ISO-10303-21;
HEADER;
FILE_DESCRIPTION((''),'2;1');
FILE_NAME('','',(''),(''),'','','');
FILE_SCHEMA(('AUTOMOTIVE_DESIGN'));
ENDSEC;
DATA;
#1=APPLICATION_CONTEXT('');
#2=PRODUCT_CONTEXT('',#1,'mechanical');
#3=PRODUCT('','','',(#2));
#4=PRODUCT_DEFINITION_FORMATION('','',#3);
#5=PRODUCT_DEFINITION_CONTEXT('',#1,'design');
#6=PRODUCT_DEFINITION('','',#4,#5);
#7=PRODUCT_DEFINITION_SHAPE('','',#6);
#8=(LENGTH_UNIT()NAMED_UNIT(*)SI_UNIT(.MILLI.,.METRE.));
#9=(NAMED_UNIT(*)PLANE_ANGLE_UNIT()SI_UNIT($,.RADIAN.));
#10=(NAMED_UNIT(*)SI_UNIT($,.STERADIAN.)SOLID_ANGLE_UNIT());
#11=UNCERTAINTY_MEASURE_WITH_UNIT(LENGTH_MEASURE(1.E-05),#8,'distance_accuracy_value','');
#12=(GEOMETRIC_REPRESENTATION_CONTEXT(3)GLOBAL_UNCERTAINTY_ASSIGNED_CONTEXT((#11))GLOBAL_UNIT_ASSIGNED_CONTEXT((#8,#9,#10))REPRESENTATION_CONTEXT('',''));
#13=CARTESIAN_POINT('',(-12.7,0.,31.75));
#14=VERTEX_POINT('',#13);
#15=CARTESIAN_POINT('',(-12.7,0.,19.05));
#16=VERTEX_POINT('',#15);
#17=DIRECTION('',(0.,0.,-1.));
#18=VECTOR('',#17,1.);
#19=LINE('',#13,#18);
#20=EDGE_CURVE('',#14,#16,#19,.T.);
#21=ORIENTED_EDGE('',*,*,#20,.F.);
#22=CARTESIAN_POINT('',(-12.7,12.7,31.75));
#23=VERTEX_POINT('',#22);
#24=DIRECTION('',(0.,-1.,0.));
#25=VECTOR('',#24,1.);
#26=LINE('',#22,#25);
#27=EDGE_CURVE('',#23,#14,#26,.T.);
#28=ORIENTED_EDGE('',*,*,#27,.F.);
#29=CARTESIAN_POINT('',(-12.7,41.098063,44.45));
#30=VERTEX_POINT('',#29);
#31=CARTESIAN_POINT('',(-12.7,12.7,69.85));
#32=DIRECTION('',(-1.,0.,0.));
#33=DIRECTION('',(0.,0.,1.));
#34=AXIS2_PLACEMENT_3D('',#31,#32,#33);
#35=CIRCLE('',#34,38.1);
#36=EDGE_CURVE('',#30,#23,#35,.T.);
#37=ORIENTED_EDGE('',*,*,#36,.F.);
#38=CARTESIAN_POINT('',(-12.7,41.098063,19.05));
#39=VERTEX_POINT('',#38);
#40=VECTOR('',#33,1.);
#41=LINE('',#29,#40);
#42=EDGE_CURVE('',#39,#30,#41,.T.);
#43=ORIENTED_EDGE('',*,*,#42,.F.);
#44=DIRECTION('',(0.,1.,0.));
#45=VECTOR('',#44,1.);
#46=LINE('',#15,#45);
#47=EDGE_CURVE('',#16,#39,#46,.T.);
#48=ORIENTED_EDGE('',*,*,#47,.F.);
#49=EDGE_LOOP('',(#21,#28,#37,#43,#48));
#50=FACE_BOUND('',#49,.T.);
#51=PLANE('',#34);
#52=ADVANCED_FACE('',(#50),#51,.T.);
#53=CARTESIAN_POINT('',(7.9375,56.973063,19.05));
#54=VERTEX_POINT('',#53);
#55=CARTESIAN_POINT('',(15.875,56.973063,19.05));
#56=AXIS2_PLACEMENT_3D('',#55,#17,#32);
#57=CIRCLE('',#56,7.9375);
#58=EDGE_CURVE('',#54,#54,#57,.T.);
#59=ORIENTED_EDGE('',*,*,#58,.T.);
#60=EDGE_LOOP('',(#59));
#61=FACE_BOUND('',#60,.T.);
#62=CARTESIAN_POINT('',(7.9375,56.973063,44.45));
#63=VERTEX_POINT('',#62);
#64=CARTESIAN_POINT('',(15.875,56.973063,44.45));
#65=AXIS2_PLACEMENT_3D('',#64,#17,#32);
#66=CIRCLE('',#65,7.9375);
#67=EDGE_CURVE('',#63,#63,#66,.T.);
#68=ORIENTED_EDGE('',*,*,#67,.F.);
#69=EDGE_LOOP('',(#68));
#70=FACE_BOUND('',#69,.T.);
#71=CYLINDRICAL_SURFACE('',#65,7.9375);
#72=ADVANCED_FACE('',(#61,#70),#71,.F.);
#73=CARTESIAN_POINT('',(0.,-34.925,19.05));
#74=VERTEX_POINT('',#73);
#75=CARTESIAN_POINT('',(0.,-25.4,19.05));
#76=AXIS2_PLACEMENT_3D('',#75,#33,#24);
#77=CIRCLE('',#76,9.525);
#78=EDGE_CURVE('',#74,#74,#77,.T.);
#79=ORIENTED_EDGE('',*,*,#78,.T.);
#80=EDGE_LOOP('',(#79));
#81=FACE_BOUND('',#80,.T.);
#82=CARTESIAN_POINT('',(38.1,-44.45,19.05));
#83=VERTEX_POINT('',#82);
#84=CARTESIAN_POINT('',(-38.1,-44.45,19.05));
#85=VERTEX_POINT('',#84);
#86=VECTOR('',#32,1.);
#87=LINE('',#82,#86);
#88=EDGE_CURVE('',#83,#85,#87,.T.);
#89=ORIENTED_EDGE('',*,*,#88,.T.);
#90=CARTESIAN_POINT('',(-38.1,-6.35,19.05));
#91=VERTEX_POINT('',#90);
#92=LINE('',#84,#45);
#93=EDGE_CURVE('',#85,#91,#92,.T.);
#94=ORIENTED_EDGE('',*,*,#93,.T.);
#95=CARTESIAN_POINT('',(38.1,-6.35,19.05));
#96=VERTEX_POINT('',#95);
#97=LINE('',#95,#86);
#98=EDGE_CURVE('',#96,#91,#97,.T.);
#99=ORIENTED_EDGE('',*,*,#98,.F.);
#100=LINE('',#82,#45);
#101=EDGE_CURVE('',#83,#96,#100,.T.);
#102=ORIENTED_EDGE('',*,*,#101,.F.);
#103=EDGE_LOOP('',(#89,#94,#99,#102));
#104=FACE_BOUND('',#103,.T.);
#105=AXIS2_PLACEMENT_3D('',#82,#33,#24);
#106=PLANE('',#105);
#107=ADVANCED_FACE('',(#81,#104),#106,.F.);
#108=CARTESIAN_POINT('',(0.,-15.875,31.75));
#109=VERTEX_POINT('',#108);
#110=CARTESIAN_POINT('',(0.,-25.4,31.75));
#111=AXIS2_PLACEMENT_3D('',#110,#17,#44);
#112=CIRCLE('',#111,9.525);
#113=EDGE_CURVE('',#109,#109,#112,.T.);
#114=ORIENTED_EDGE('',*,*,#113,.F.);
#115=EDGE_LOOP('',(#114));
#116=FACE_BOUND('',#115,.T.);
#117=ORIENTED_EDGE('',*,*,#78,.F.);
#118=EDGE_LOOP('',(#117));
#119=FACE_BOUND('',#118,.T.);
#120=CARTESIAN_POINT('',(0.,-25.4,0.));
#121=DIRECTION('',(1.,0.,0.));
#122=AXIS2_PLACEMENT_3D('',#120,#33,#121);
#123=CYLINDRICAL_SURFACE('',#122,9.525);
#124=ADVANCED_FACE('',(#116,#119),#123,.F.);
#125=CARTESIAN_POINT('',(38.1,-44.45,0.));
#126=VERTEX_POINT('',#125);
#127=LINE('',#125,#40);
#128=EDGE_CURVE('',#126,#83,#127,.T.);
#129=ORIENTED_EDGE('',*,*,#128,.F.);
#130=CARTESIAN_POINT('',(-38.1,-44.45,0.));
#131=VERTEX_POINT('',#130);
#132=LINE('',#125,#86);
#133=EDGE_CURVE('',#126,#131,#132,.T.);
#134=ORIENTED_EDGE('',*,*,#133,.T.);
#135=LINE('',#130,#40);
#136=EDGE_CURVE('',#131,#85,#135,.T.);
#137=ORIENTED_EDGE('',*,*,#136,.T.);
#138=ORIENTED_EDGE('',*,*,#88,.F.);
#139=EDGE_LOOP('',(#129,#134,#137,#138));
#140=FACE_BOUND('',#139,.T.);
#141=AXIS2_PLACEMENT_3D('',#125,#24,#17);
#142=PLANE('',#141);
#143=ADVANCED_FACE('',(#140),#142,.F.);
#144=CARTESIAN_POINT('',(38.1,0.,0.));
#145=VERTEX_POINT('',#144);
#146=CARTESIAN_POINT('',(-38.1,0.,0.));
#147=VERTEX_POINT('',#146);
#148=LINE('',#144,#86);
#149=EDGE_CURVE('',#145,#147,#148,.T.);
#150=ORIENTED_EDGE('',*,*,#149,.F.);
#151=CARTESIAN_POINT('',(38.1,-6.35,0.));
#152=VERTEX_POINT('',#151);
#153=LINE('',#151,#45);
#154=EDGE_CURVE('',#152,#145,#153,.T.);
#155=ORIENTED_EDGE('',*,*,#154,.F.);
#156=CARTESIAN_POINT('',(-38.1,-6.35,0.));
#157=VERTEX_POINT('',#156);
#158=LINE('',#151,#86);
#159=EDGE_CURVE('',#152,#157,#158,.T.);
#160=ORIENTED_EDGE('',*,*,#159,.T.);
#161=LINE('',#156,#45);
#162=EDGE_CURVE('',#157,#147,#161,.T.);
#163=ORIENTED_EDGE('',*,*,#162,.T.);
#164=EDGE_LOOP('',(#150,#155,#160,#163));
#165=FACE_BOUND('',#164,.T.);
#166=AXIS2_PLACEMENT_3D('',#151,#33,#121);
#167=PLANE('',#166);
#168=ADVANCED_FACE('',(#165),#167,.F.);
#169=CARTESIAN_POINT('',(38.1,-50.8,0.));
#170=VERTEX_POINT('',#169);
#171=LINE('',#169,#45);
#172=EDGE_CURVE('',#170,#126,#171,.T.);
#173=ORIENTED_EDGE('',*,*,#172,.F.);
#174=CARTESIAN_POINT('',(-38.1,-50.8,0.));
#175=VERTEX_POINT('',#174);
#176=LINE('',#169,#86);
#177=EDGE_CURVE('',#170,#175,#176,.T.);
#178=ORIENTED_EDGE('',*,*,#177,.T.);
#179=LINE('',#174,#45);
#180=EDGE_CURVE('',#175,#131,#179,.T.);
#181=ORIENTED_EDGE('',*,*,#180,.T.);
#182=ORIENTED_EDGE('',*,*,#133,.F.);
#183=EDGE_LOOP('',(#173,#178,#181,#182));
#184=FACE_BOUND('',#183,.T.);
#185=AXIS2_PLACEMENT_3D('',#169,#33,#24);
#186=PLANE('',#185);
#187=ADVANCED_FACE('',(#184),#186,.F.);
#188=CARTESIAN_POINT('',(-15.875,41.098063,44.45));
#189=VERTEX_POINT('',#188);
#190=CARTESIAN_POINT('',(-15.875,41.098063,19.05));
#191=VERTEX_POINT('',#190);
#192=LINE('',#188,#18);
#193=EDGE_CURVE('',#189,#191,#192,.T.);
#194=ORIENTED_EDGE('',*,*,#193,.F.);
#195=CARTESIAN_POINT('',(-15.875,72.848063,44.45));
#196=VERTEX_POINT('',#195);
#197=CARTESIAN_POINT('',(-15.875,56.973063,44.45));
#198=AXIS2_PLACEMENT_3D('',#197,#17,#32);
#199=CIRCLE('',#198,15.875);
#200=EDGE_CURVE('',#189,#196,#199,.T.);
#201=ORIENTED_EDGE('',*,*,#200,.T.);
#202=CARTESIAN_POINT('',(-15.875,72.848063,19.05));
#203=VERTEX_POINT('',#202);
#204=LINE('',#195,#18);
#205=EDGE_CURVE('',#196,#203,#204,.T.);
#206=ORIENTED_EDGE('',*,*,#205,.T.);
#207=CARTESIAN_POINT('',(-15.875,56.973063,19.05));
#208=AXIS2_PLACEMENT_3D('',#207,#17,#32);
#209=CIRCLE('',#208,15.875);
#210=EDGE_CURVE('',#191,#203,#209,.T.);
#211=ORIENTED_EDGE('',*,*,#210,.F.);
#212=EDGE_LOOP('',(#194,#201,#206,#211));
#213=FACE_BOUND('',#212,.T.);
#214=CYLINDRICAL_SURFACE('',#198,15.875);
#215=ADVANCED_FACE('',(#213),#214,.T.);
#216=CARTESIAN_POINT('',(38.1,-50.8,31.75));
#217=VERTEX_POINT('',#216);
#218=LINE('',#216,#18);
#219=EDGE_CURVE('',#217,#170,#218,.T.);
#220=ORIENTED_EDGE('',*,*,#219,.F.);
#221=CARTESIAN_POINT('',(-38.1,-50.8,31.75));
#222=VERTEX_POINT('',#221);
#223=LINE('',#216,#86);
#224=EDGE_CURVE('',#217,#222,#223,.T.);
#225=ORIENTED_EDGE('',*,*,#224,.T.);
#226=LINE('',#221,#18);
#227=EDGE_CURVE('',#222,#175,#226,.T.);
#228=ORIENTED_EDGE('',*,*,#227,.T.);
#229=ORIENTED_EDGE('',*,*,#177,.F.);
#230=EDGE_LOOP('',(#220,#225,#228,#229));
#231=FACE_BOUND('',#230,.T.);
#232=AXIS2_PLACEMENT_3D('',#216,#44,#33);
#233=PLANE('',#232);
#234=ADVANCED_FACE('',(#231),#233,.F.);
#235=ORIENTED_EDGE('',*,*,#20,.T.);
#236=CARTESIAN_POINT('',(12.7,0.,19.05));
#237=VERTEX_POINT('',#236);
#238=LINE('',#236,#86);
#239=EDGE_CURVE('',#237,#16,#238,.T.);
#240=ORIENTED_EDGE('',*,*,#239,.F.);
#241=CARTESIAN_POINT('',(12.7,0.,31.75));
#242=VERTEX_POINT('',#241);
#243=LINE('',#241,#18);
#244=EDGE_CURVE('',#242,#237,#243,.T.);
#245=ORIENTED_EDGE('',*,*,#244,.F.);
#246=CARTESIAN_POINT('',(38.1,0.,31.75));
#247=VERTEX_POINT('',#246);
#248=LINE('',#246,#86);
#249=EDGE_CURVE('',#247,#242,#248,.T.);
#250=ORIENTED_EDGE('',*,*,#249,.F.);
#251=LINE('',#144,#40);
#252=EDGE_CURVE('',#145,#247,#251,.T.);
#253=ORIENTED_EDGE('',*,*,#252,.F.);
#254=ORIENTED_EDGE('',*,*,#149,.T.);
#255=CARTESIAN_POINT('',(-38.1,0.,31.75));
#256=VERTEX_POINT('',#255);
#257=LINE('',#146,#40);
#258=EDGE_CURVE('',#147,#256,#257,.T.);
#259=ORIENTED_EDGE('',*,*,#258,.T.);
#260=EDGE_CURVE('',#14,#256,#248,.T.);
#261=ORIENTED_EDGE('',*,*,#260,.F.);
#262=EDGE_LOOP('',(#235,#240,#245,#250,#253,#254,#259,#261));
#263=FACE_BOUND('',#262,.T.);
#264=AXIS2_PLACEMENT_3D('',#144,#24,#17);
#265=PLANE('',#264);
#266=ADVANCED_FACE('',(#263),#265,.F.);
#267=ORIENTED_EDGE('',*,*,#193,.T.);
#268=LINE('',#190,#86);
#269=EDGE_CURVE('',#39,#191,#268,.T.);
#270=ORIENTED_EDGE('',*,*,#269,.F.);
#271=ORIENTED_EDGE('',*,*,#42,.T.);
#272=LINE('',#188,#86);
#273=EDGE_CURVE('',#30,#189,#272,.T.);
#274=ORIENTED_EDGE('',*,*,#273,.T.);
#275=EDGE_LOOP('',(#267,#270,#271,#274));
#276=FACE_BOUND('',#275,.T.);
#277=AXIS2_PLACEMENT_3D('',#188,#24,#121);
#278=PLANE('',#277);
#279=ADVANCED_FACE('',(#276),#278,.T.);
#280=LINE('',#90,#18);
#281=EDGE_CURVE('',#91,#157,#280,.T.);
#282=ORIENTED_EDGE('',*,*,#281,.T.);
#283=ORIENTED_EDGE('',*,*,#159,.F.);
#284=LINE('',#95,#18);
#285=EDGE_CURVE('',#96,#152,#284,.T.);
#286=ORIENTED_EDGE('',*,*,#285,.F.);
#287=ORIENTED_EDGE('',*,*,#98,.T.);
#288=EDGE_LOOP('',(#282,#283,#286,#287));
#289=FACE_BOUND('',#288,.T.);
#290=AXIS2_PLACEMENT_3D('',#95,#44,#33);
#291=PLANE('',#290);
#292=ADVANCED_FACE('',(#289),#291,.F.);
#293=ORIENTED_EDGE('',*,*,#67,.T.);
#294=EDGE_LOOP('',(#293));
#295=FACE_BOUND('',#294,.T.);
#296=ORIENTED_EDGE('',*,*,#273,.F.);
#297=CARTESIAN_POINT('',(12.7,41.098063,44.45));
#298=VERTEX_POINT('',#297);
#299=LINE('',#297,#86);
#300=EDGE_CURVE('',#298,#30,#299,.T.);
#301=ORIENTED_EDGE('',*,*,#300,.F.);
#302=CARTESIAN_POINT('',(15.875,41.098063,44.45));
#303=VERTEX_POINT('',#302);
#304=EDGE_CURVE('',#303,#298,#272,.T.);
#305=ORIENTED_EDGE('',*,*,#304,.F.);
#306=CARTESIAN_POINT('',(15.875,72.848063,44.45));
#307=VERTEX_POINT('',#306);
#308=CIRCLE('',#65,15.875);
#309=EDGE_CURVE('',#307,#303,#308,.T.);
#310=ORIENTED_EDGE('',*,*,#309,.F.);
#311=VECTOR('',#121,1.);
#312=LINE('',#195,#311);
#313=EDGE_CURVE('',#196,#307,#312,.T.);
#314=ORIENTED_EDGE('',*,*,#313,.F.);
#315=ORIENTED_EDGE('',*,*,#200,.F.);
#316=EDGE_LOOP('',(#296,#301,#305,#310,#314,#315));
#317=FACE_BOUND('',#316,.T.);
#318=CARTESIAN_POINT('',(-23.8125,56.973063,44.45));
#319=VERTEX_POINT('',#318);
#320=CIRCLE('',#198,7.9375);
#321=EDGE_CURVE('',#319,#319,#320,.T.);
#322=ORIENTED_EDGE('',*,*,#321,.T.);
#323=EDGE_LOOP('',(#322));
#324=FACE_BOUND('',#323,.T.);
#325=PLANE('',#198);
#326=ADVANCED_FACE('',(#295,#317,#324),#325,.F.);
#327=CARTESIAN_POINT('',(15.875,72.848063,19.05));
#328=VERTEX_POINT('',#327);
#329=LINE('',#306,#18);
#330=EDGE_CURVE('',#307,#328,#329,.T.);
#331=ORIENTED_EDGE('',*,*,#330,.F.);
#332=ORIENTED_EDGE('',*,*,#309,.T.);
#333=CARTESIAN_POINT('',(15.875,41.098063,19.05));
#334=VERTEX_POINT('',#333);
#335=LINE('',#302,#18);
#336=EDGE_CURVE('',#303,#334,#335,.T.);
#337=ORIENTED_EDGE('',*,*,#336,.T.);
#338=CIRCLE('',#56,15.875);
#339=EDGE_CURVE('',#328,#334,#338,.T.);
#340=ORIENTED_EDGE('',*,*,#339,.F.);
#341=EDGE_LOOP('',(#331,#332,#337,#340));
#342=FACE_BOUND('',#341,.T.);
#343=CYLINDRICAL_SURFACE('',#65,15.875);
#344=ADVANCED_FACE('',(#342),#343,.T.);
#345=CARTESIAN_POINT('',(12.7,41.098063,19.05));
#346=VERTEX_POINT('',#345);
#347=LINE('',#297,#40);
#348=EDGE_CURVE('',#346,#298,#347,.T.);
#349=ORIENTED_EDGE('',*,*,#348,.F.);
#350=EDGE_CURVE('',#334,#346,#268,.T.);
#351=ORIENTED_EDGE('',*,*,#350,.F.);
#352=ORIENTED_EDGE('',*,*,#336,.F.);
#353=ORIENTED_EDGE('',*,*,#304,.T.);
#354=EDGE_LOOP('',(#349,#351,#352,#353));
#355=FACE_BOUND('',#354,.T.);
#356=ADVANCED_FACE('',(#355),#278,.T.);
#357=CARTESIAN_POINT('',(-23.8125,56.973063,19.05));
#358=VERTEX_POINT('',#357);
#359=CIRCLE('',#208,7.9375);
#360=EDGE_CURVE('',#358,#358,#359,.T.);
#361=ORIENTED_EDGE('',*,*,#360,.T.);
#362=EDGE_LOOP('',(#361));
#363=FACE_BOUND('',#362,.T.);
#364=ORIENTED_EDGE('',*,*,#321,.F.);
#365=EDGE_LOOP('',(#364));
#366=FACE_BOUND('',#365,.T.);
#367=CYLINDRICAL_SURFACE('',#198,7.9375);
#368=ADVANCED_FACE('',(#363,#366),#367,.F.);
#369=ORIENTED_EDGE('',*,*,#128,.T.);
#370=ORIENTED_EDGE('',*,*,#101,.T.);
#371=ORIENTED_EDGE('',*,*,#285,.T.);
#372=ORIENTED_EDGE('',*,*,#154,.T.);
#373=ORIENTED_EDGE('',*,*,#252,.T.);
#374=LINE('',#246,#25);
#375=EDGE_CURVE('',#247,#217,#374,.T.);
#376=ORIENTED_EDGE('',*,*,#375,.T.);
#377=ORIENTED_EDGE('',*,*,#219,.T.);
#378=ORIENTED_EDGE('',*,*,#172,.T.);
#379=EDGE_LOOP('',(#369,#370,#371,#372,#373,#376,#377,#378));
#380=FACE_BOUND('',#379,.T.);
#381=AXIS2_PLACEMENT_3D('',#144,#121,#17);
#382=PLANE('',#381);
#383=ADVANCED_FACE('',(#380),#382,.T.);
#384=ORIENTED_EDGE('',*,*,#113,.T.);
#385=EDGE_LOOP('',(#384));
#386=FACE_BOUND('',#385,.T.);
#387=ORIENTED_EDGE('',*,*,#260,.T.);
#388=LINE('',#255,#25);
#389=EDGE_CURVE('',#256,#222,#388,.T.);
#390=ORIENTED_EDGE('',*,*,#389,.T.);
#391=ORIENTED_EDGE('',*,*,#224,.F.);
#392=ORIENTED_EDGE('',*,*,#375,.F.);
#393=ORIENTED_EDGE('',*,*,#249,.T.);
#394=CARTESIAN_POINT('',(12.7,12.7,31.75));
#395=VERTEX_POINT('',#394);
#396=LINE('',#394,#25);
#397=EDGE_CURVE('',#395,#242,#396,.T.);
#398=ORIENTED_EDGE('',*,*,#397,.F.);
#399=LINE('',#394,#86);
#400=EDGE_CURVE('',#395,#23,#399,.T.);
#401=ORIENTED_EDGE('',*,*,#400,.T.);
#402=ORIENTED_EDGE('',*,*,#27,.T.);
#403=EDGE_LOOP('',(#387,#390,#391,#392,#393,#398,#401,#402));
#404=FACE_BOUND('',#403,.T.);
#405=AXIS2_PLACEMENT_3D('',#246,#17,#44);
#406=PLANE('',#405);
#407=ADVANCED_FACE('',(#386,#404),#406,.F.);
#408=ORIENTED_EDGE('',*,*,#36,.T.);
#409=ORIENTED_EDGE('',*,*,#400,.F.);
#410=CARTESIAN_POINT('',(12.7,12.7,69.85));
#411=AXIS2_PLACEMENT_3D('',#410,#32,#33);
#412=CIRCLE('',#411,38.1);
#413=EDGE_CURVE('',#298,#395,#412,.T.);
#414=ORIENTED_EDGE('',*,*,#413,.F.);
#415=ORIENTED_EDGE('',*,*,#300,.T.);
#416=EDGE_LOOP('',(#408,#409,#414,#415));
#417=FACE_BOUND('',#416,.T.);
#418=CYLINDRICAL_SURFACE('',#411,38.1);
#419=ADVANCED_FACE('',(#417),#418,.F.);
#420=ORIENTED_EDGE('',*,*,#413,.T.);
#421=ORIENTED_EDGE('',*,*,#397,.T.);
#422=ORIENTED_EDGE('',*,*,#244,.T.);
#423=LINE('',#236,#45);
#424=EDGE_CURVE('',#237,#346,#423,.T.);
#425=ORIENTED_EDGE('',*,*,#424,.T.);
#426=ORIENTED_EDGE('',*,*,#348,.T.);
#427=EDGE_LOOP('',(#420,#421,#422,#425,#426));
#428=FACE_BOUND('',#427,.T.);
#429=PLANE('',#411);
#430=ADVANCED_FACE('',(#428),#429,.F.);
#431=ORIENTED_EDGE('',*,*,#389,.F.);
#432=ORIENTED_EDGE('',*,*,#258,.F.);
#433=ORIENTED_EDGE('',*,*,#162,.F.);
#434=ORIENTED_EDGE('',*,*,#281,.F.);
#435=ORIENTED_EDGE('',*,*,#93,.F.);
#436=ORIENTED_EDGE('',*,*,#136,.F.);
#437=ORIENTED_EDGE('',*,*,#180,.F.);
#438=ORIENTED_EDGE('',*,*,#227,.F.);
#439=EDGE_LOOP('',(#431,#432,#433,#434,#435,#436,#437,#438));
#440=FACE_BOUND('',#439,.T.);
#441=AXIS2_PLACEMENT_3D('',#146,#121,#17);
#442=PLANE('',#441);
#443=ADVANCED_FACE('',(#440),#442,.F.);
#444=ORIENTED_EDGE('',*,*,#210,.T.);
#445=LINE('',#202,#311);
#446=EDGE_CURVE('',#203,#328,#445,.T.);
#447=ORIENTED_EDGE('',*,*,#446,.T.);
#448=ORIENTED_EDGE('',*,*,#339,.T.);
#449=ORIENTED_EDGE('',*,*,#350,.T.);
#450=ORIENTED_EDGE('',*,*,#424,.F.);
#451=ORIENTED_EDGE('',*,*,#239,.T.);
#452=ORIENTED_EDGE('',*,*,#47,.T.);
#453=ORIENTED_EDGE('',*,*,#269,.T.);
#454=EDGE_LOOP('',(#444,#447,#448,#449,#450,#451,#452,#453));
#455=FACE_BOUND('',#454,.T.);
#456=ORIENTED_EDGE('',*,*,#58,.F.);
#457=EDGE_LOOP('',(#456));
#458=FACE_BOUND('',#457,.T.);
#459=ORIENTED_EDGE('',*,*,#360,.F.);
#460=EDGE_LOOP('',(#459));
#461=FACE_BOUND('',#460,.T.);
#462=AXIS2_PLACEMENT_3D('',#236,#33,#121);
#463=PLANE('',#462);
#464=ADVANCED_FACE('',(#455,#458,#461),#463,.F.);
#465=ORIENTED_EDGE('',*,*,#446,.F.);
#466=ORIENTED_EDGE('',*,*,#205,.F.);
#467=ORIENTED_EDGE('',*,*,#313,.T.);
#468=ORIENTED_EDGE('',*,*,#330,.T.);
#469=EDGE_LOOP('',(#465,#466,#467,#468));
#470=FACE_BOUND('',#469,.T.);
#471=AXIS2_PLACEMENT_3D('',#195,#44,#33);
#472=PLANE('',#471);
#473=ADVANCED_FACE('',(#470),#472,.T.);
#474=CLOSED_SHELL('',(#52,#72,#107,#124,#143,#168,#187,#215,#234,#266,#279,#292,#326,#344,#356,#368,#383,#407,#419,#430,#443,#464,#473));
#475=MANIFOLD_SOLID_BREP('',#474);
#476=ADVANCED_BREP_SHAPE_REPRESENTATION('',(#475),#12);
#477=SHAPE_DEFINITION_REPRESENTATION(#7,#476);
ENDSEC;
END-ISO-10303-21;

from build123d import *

# Parameters (mm, degrees)
BOSS_EXTRUDE1_DEPTH     = 38.1
SKETCH2_R               = 9.525
CUT_EXTRUDE1_DEPTH      = 1
CUT_EXTRUDE1_DEPTH_BACK = 32.75
BOSS_EXTRUDE2_DEPTH     = 12.7
SKETCH4_R               = 7.9375
BOSS_EXTRUDE3_DEPTH     = 25.4


with BuildPart() as part:
    # Sketch1 → Boss-Extrude1 (new body, symmetric)
    with BuildSketch(Plane.YZ):
        Polygon((0, 0), (0, 31.75), (-50.8, 31.75), (-50.8, 0), (-44.45, 0), (-44.45, 19.05), (-6.35, 19.05), (-6.35, 0), align=None)
    extrude(amount=BOSS_EXTRUDE1_DEPTH, both=True)

    # Sketch2 → Cut-Extrude1 (cut, two sides)
    with BuildSketch(Plane.XY.offset(31.75)) as cut_extrude1_sk:
        with Locations((0, -25.4)):
            Circle(SKETCH2_R)
    extrude(amount=CUT_EXTRUDE1_DEPTH, mode=Mode.SUBTRACT)
    extrude(cut_extrude1_sk.sketch, amount=-CUT_EXTRUDE1_DEPTH_BACK, mode=Mode.SUBTRACT)

    # Sketch3 → Boss-Extrude2 (add, symmetric)
    with BuildSketch(Plane.YZ):
        with BuildLine():
            Line((0, 19.05), (41.098063314, 19.05))
            Line((41.098063314, 19.05), (41.098063314, 44.45))
            ThreePointArc((41.098063314, 44.45), (28.254259867, 35.069617598), (12.7, 31.75))
            Line((12.7, 31.75), (0, 31.75))
            Line((0, 31.75), (0, 19.05))
        make_face()
    extrude(amount=BOSS_EXTRUDE2_DEPTH, both=True)

    # Sketch4 → Boss-Extrude3 (add)
    with BuildSketch(Plane(origin=(0, 0, 19.05), x_dir=(1, 0, 0), z_dir=(0, 0, -1))):
        with BuildLine():
            Line((-15.875, -41.098063314), (15.875, -41.098063314))
            ThreePointArc((15.875, -41.098063314), (31.75, -56.973063314), (15.875, -72.848063314))
            Line((15.875, -72.848063314), (-15.875, -72.848063314))
            ThreePointArc((-15.875, -72.848063314), (-31.75, -56.973063314), (-15.875, -41.098063314))
        make_face()
        with Locations((15.875, -56.973063314)):
            Circle(SKETCH4_R, mode=Mode.SUBTRACT)
        with Locations((-15.875, -56.973063314)):
            Circle(SKETCH4_R, mode=Mode.SUBTRACT)
    extrude(amount=-BOSS_EXTRUDE3_DEPTH)


solid = part.part
